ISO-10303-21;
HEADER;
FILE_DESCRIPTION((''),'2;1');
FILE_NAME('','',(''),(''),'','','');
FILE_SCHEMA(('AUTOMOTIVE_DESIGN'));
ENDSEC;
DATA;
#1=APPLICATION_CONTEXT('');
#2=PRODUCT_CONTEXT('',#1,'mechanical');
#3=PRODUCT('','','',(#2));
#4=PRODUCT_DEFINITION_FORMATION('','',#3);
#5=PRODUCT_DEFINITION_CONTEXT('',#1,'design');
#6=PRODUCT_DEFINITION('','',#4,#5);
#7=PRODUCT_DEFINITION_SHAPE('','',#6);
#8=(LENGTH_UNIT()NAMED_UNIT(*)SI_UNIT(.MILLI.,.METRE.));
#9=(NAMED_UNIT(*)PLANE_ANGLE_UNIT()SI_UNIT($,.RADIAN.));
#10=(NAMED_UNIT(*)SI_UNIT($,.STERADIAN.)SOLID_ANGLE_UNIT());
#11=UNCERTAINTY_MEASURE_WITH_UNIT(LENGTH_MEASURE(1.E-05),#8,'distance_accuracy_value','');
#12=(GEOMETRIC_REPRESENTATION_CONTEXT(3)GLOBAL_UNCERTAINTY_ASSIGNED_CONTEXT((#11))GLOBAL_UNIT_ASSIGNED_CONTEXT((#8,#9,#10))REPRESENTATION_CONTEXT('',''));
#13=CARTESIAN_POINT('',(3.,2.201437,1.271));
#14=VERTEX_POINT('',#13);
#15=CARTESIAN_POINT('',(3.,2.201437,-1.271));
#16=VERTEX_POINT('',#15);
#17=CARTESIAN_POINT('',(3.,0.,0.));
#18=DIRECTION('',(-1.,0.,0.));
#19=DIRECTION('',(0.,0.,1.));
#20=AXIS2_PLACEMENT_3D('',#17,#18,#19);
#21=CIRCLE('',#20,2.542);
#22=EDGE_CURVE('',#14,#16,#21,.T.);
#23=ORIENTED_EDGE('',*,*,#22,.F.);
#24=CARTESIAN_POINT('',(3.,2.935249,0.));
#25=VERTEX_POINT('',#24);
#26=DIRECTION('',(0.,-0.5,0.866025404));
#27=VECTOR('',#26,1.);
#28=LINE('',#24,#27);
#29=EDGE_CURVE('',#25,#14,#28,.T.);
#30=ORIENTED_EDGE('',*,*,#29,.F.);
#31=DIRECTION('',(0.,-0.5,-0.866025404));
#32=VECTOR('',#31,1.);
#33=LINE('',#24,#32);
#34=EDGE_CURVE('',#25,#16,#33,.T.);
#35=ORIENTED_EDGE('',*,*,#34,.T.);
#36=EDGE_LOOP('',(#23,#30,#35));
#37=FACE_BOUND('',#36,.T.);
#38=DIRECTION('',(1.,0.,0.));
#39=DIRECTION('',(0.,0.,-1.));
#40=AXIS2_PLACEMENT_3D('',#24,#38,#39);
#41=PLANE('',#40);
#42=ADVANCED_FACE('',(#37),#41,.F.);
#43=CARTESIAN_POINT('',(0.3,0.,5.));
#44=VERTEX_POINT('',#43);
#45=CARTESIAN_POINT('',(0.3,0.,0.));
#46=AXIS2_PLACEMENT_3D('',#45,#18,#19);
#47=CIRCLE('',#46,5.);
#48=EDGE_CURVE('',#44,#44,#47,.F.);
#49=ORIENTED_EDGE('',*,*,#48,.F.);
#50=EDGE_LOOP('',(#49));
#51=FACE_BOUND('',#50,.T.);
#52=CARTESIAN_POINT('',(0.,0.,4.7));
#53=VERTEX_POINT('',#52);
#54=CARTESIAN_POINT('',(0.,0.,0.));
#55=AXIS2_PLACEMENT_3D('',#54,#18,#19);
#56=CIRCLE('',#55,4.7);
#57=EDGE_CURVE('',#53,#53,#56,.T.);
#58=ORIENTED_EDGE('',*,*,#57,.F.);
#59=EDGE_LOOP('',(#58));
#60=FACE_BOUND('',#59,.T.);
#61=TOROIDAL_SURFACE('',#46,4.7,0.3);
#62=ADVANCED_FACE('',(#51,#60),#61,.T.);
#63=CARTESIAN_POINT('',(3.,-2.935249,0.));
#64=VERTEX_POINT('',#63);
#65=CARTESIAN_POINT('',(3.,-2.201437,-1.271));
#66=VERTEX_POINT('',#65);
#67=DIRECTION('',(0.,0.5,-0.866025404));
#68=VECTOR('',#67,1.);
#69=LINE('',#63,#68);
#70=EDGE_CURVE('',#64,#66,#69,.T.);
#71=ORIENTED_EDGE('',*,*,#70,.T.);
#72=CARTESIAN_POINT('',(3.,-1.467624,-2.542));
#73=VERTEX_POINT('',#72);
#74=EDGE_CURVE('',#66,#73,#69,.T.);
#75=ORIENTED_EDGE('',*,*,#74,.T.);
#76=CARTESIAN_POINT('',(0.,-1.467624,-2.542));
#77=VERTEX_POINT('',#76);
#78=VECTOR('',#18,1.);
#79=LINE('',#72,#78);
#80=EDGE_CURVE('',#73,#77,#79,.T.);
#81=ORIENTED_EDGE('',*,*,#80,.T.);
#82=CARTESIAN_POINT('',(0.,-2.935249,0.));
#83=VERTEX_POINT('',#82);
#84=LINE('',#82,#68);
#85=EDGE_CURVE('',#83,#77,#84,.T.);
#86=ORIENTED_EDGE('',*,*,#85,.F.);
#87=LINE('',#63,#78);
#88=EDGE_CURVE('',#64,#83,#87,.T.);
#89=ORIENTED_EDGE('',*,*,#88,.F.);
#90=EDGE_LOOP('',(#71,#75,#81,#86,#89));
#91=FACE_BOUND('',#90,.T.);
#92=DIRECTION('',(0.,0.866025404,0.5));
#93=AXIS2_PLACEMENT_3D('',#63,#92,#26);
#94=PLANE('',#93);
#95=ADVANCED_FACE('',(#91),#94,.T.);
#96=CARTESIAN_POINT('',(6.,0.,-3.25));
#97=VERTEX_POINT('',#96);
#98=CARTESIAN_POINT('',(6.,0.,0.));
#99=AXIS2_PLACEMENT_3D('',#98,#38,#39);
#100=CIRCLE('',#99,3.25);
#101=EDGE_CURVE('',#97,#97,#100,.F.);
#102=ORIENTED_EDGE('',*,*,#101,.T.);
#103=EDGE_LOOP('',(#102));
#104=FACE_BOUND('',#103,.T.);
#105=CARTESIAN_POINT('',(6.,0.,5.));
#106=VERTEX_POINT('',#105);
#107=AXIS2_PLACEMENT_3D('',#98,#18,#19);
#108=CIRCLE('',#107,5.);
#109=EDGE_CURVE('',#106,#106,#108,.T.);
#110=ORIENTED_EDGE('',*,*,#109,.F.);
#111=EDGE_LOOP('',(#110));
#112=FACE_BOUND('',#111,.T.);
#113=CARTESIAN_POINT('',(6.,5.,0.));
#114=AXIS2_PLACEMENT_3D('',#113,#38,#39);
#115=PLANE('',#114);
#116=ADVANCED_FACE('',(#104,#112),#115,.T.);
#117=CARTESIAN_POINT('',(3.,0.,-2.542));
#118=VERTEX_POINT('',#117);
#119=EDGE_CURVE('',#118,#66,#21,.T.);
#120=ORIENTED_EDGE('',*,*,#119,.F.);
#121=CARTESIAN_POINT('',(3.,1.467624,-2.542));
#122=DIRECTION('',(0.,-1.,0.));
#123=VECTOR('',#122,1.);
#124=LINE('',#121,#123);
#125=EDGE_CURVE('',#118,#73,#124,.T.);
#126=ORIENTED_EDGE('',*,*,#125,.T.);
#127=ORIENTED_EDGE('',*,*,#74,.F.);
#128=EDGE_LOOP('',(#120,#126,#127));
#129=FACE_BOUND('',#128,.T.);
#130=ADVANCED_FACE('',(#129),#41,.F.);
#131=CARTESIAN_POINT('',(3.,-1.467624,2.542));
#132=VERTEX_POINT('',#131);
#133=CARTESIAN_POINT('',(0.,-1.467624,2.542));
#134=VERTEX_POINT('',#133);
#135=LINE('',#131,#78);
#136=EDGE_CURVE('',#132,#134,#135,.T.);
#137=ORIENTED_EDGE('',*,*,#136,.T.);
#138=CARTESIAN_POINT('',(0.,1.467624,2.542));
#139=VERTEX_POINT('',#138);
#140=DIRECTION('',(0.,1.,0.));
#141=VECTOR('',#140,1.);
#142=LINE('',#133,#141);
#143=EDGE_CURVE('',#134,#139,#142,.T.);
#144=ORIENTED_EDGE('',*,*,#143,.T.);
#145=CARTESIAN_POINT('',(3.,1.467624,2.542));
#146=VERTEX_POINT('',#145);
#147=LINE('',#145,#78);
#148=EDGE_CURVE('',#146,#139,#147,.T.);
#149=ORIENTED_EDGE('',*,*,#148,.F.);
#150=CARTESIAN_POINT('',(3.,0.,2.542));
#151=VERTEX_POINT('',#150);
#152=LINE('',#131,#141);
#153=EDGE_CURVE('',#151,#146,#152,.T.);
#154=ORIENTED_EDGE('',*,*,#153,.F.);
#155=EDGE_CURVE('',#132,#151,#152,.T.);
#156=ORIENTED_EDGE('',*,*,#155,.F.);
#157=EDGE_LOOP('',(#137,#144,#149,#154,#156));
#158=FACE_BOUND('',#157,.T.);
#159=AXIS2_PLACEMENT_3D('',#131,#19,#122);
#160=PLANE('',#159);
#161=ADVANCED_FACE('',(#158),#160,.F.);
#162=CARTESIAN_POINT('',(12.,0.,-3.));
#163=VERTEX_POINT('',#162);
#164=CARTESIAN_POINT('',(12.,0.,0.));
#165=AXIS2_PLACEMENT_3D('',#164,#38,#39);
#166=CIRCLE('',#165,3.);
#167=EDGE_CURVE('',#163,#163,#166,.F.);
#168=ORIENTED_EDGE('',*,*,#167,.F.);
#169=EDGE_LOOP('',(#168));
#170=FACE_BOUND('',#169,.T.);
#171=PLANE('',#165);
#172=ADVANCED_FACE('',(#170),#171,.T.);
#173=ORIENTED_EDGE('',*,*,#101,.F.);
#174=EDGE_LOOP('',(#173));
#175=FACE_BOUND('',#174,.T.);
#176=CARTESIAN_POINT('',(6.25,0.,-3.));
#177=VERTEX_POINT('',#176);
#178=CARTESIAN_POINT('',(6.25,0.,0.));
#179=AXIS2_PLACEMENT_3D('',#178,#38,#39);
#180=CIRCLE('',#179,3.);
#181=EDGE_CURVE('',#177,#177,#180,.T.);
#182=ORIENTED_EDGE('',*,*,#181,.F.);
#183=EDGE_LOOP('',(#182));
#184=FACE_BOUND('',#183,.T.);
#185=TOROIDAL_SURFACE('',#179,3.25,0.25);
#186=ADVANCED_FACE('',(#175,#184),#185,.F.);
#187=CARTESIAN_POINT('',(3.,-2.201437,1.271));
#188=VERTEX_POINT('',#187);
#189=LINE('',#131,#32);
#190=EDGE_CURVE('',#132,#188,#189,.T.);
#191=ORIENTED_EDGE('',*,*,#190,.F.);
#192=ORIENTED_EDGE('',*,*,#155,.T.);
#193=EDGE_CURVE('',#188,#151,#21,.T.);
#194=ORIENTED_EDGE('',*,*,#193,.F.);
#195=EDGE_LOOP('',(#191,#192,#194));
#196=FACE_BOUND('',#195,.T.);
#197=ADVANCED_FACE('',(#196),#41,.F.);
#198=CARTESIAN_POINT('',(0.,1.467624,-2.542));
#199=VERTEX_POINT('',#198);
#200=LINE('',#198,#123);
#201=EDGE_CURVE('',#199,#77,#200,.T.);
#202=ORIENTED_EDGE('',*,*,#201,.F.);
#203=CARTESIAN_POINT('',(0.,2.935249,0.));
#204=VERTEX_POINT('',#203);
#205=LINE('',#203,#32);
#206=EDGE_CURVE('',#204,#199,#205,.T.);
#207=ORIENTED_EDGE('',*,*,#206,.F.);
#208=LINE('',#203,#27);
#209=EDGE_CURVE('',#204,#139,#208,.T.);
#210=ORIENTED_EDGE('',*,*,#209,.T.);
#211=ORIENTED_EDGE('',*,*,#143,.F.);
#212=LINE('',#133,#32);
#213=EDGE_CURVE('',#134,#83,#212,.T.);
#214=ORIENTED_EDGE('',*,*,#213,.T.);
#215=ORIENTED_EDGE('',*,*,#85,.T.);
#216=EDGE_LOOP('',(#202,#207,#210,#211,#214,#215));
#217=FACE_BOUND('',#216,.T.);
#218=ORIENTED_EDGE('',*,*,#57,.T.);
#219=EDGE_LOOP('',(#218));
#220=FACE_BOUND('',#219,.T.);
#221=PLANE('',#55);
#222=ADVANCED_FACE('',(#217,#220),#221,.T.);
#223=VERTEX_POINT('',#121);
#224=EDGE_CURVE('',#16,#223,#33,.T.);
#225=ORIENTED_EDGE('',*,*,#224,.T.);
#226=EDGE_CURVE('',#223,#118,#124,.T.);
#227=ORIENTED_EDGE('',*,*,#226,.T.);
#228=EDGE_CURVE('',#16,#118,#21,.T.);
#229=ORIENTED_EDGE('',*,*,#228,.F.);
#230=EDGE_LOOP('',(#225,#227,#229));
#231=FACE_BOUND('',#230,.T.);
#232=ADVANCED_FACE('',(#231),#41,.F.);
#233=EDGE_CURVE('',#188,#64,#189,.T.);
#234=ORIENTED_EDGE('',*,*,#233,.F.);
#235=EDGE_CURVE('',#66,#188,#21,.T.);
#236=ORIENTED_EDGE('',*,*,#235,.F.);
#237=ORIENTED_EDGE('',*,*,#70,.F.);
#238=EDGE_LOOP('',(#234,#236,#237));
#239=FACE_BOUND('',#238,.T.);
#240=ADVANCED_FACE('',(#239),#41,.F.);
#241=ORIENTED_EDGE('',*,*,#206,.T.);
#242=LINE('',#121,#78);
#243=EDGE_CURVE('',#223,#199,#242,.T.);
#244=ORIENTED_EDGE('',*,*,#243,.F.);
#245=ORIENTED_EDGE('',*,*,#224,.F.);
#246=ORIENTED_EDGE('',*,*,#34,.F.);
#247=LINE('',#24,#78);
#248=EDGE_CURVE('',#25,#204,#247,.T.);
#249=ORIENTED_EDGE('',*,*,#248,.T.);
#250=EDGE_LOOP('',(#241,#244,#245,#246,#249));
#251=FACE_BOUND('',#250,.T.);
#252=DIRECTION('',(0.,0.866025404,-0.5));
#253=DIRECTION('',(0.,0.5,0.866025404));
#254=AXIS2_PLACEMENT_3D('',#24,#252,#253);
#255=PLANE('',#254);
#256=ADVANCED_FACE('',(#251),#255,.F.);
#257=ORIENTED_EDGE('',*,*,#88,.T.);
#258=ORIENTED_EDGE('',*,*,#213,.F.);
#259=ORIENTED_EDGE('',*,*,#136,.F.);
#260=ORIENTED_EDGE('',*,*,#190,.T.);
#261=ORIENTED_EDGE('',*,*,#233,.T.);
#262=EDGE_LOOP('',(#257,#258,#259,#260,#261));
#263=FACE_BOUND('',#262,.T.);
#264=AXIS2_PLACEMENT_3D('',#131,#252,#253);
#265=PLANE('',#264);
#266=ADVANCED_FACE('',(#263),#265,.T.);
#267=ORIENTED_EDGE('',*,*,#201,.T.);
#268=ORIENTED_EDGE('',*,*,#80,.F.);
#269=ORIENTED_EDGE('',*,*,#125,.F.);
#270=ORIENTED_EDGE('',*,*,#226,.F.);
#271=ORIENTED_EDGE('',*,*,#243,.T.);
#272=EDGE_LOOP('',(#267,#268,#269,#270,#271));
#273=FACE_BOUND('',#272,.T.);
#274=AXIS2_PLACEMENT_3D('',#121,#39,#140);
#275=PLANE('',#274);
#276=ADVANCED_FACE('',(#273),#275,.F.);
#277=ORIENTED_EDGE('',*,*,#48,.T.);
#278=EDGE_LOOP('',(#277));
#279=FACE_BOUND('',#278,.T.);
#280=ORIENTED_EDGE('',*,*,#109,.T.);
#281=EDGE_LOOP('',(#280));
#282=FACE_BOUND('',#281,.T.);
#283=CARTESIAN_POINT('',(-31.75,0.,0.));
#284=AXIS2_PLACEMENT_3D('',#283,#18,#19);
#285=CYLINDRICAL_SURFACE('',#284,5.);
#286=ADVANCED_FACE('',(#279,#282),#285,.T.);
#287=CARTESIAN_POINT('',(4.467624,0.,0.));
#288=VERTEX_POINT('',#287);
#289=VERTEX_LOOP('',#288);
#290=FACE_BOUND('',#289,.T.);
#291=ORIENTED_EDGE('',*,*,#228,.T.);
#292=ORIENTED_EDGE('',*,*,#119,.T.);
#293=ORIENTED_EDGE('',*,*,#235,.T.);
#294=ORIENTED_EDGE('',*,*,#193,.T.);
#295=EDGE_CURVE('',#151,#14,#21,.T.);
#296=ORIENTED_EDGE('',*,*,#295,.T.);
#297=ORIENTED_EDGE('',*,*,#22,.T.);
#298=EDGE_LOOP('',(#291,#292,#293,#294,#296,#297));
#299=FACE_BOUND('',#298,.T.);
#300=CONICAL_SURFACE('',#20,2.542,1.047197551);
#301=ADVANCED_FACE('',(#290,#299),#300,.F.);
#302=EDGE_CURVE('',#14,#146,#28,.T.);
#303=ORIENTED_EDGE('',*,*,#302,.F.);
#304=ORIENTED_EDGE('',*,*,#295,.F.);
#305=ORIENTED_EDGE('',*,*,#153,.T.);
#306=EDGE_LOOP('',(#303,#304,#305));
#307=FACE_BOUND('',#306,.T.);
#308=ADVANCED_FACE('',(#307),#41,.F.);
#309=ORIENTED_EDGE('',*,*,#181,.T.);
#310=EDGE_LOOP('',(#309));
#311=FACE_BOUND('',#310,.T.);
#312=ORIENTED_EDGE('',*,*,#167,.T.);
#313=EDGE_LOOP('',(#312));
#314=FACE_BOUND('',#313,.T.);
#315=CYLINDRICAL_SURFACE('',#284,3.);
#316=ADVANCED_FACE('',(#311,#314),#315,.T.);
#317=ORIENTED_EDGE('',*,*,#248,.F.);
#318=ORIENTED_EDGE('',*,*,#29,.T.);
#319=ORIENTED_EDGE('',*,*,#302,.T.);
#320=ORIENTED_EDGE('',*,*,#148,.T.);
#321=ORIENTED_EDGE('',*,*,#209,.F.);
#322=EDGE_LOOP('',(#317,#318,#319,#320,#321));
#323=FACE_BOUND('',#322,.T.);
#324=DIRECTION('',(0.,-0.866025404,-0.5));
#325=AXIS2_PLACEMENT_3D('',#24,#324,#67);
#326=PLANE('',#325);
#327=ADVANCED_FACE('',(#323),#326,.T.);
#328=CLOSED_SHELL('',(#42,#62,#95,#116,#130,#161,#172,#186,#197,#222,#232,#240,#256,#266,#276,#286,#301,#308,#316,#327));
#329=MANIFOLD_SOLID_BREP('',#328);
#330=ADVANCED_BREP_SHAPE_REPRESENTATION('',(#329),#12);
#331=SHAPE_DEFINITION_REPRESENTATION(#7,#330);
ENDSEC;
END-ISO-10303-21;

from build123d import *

# Parameters (mm, degrees)
FILLET1_R          = 0.25
FILLET2_R          = 0.3
HEX_2_DEPTH        = 3
SKETCH4_R          = 7.875730731
CUT_EXTRUDE1_DEPTH = 4


with BuildPart() as part:
    # BodySke → Base-Revolve (revolve)
    with BuildSketch(Plane.XY):
        Polygon((0, 0), (0, 5), (6, 5), (6, 3), (15.4455, 3), (16, 2.4455), (16, 0), align=None)
    revolve(axis=Axis((-31.75, 0, 0), (1, 0, 0)))

    # Fillet1
    fillet1_edges = [part.edges().sort_by_distance(p)[0] for p in [
        (6, -3, 0),
    ]]
    fillet(fillet1_edges, radius=FILLET1_R)

    # Fillet2
    fillet2_edges = [part.edges().sort_by_distance(p)[0] for p in [
        (0, -5, 0),
    ]]
    fillet(fillet2_edges, radius=FILLET2_R)

    # Sketch2 → Hex-PreBroach (revolve, cut)
    with BuildSketch(Plane.XY):
        Polygon((0, 2.542), (3, 2.542), (4.467624384, 0), (0, 0), align=None)
    revolve(axis=Axis((0, 0, 0), (1, 0, 0)), mode=Mode.SUBTRACT)

    # Sketch3 → Hex 2 (cut)
    with BuildSketch(Plane(origin=(0, 0, 0), x_dir=(0, 0.5, 0.866025404), z_dir=(-1, 0, 0))):
        Polygon((1.467624384, 2.542), (-1.467624384, 2.542), (-2.935248769, 0), (-1.467624384, -2.542), (1.467624384, -2.542), (2.935248769, 0), align=None)
    extrude(amount=-HEX_2_DEPTH, mode=Mode.SUBTRACT)

    # Sketch4 → Cut-Extrude1 (cut)
    with BuildSketch(Plane(origin=(16, 0, 0), x_dir=(0, 0, -1), z_dir=(1, 0, 0))):
        Circle(SKETCH4_R)
    extrude(amount=-CUT_EXTRUDE1_DEPTH, mode=Mode.SUBTRACT)


solid = part.part
